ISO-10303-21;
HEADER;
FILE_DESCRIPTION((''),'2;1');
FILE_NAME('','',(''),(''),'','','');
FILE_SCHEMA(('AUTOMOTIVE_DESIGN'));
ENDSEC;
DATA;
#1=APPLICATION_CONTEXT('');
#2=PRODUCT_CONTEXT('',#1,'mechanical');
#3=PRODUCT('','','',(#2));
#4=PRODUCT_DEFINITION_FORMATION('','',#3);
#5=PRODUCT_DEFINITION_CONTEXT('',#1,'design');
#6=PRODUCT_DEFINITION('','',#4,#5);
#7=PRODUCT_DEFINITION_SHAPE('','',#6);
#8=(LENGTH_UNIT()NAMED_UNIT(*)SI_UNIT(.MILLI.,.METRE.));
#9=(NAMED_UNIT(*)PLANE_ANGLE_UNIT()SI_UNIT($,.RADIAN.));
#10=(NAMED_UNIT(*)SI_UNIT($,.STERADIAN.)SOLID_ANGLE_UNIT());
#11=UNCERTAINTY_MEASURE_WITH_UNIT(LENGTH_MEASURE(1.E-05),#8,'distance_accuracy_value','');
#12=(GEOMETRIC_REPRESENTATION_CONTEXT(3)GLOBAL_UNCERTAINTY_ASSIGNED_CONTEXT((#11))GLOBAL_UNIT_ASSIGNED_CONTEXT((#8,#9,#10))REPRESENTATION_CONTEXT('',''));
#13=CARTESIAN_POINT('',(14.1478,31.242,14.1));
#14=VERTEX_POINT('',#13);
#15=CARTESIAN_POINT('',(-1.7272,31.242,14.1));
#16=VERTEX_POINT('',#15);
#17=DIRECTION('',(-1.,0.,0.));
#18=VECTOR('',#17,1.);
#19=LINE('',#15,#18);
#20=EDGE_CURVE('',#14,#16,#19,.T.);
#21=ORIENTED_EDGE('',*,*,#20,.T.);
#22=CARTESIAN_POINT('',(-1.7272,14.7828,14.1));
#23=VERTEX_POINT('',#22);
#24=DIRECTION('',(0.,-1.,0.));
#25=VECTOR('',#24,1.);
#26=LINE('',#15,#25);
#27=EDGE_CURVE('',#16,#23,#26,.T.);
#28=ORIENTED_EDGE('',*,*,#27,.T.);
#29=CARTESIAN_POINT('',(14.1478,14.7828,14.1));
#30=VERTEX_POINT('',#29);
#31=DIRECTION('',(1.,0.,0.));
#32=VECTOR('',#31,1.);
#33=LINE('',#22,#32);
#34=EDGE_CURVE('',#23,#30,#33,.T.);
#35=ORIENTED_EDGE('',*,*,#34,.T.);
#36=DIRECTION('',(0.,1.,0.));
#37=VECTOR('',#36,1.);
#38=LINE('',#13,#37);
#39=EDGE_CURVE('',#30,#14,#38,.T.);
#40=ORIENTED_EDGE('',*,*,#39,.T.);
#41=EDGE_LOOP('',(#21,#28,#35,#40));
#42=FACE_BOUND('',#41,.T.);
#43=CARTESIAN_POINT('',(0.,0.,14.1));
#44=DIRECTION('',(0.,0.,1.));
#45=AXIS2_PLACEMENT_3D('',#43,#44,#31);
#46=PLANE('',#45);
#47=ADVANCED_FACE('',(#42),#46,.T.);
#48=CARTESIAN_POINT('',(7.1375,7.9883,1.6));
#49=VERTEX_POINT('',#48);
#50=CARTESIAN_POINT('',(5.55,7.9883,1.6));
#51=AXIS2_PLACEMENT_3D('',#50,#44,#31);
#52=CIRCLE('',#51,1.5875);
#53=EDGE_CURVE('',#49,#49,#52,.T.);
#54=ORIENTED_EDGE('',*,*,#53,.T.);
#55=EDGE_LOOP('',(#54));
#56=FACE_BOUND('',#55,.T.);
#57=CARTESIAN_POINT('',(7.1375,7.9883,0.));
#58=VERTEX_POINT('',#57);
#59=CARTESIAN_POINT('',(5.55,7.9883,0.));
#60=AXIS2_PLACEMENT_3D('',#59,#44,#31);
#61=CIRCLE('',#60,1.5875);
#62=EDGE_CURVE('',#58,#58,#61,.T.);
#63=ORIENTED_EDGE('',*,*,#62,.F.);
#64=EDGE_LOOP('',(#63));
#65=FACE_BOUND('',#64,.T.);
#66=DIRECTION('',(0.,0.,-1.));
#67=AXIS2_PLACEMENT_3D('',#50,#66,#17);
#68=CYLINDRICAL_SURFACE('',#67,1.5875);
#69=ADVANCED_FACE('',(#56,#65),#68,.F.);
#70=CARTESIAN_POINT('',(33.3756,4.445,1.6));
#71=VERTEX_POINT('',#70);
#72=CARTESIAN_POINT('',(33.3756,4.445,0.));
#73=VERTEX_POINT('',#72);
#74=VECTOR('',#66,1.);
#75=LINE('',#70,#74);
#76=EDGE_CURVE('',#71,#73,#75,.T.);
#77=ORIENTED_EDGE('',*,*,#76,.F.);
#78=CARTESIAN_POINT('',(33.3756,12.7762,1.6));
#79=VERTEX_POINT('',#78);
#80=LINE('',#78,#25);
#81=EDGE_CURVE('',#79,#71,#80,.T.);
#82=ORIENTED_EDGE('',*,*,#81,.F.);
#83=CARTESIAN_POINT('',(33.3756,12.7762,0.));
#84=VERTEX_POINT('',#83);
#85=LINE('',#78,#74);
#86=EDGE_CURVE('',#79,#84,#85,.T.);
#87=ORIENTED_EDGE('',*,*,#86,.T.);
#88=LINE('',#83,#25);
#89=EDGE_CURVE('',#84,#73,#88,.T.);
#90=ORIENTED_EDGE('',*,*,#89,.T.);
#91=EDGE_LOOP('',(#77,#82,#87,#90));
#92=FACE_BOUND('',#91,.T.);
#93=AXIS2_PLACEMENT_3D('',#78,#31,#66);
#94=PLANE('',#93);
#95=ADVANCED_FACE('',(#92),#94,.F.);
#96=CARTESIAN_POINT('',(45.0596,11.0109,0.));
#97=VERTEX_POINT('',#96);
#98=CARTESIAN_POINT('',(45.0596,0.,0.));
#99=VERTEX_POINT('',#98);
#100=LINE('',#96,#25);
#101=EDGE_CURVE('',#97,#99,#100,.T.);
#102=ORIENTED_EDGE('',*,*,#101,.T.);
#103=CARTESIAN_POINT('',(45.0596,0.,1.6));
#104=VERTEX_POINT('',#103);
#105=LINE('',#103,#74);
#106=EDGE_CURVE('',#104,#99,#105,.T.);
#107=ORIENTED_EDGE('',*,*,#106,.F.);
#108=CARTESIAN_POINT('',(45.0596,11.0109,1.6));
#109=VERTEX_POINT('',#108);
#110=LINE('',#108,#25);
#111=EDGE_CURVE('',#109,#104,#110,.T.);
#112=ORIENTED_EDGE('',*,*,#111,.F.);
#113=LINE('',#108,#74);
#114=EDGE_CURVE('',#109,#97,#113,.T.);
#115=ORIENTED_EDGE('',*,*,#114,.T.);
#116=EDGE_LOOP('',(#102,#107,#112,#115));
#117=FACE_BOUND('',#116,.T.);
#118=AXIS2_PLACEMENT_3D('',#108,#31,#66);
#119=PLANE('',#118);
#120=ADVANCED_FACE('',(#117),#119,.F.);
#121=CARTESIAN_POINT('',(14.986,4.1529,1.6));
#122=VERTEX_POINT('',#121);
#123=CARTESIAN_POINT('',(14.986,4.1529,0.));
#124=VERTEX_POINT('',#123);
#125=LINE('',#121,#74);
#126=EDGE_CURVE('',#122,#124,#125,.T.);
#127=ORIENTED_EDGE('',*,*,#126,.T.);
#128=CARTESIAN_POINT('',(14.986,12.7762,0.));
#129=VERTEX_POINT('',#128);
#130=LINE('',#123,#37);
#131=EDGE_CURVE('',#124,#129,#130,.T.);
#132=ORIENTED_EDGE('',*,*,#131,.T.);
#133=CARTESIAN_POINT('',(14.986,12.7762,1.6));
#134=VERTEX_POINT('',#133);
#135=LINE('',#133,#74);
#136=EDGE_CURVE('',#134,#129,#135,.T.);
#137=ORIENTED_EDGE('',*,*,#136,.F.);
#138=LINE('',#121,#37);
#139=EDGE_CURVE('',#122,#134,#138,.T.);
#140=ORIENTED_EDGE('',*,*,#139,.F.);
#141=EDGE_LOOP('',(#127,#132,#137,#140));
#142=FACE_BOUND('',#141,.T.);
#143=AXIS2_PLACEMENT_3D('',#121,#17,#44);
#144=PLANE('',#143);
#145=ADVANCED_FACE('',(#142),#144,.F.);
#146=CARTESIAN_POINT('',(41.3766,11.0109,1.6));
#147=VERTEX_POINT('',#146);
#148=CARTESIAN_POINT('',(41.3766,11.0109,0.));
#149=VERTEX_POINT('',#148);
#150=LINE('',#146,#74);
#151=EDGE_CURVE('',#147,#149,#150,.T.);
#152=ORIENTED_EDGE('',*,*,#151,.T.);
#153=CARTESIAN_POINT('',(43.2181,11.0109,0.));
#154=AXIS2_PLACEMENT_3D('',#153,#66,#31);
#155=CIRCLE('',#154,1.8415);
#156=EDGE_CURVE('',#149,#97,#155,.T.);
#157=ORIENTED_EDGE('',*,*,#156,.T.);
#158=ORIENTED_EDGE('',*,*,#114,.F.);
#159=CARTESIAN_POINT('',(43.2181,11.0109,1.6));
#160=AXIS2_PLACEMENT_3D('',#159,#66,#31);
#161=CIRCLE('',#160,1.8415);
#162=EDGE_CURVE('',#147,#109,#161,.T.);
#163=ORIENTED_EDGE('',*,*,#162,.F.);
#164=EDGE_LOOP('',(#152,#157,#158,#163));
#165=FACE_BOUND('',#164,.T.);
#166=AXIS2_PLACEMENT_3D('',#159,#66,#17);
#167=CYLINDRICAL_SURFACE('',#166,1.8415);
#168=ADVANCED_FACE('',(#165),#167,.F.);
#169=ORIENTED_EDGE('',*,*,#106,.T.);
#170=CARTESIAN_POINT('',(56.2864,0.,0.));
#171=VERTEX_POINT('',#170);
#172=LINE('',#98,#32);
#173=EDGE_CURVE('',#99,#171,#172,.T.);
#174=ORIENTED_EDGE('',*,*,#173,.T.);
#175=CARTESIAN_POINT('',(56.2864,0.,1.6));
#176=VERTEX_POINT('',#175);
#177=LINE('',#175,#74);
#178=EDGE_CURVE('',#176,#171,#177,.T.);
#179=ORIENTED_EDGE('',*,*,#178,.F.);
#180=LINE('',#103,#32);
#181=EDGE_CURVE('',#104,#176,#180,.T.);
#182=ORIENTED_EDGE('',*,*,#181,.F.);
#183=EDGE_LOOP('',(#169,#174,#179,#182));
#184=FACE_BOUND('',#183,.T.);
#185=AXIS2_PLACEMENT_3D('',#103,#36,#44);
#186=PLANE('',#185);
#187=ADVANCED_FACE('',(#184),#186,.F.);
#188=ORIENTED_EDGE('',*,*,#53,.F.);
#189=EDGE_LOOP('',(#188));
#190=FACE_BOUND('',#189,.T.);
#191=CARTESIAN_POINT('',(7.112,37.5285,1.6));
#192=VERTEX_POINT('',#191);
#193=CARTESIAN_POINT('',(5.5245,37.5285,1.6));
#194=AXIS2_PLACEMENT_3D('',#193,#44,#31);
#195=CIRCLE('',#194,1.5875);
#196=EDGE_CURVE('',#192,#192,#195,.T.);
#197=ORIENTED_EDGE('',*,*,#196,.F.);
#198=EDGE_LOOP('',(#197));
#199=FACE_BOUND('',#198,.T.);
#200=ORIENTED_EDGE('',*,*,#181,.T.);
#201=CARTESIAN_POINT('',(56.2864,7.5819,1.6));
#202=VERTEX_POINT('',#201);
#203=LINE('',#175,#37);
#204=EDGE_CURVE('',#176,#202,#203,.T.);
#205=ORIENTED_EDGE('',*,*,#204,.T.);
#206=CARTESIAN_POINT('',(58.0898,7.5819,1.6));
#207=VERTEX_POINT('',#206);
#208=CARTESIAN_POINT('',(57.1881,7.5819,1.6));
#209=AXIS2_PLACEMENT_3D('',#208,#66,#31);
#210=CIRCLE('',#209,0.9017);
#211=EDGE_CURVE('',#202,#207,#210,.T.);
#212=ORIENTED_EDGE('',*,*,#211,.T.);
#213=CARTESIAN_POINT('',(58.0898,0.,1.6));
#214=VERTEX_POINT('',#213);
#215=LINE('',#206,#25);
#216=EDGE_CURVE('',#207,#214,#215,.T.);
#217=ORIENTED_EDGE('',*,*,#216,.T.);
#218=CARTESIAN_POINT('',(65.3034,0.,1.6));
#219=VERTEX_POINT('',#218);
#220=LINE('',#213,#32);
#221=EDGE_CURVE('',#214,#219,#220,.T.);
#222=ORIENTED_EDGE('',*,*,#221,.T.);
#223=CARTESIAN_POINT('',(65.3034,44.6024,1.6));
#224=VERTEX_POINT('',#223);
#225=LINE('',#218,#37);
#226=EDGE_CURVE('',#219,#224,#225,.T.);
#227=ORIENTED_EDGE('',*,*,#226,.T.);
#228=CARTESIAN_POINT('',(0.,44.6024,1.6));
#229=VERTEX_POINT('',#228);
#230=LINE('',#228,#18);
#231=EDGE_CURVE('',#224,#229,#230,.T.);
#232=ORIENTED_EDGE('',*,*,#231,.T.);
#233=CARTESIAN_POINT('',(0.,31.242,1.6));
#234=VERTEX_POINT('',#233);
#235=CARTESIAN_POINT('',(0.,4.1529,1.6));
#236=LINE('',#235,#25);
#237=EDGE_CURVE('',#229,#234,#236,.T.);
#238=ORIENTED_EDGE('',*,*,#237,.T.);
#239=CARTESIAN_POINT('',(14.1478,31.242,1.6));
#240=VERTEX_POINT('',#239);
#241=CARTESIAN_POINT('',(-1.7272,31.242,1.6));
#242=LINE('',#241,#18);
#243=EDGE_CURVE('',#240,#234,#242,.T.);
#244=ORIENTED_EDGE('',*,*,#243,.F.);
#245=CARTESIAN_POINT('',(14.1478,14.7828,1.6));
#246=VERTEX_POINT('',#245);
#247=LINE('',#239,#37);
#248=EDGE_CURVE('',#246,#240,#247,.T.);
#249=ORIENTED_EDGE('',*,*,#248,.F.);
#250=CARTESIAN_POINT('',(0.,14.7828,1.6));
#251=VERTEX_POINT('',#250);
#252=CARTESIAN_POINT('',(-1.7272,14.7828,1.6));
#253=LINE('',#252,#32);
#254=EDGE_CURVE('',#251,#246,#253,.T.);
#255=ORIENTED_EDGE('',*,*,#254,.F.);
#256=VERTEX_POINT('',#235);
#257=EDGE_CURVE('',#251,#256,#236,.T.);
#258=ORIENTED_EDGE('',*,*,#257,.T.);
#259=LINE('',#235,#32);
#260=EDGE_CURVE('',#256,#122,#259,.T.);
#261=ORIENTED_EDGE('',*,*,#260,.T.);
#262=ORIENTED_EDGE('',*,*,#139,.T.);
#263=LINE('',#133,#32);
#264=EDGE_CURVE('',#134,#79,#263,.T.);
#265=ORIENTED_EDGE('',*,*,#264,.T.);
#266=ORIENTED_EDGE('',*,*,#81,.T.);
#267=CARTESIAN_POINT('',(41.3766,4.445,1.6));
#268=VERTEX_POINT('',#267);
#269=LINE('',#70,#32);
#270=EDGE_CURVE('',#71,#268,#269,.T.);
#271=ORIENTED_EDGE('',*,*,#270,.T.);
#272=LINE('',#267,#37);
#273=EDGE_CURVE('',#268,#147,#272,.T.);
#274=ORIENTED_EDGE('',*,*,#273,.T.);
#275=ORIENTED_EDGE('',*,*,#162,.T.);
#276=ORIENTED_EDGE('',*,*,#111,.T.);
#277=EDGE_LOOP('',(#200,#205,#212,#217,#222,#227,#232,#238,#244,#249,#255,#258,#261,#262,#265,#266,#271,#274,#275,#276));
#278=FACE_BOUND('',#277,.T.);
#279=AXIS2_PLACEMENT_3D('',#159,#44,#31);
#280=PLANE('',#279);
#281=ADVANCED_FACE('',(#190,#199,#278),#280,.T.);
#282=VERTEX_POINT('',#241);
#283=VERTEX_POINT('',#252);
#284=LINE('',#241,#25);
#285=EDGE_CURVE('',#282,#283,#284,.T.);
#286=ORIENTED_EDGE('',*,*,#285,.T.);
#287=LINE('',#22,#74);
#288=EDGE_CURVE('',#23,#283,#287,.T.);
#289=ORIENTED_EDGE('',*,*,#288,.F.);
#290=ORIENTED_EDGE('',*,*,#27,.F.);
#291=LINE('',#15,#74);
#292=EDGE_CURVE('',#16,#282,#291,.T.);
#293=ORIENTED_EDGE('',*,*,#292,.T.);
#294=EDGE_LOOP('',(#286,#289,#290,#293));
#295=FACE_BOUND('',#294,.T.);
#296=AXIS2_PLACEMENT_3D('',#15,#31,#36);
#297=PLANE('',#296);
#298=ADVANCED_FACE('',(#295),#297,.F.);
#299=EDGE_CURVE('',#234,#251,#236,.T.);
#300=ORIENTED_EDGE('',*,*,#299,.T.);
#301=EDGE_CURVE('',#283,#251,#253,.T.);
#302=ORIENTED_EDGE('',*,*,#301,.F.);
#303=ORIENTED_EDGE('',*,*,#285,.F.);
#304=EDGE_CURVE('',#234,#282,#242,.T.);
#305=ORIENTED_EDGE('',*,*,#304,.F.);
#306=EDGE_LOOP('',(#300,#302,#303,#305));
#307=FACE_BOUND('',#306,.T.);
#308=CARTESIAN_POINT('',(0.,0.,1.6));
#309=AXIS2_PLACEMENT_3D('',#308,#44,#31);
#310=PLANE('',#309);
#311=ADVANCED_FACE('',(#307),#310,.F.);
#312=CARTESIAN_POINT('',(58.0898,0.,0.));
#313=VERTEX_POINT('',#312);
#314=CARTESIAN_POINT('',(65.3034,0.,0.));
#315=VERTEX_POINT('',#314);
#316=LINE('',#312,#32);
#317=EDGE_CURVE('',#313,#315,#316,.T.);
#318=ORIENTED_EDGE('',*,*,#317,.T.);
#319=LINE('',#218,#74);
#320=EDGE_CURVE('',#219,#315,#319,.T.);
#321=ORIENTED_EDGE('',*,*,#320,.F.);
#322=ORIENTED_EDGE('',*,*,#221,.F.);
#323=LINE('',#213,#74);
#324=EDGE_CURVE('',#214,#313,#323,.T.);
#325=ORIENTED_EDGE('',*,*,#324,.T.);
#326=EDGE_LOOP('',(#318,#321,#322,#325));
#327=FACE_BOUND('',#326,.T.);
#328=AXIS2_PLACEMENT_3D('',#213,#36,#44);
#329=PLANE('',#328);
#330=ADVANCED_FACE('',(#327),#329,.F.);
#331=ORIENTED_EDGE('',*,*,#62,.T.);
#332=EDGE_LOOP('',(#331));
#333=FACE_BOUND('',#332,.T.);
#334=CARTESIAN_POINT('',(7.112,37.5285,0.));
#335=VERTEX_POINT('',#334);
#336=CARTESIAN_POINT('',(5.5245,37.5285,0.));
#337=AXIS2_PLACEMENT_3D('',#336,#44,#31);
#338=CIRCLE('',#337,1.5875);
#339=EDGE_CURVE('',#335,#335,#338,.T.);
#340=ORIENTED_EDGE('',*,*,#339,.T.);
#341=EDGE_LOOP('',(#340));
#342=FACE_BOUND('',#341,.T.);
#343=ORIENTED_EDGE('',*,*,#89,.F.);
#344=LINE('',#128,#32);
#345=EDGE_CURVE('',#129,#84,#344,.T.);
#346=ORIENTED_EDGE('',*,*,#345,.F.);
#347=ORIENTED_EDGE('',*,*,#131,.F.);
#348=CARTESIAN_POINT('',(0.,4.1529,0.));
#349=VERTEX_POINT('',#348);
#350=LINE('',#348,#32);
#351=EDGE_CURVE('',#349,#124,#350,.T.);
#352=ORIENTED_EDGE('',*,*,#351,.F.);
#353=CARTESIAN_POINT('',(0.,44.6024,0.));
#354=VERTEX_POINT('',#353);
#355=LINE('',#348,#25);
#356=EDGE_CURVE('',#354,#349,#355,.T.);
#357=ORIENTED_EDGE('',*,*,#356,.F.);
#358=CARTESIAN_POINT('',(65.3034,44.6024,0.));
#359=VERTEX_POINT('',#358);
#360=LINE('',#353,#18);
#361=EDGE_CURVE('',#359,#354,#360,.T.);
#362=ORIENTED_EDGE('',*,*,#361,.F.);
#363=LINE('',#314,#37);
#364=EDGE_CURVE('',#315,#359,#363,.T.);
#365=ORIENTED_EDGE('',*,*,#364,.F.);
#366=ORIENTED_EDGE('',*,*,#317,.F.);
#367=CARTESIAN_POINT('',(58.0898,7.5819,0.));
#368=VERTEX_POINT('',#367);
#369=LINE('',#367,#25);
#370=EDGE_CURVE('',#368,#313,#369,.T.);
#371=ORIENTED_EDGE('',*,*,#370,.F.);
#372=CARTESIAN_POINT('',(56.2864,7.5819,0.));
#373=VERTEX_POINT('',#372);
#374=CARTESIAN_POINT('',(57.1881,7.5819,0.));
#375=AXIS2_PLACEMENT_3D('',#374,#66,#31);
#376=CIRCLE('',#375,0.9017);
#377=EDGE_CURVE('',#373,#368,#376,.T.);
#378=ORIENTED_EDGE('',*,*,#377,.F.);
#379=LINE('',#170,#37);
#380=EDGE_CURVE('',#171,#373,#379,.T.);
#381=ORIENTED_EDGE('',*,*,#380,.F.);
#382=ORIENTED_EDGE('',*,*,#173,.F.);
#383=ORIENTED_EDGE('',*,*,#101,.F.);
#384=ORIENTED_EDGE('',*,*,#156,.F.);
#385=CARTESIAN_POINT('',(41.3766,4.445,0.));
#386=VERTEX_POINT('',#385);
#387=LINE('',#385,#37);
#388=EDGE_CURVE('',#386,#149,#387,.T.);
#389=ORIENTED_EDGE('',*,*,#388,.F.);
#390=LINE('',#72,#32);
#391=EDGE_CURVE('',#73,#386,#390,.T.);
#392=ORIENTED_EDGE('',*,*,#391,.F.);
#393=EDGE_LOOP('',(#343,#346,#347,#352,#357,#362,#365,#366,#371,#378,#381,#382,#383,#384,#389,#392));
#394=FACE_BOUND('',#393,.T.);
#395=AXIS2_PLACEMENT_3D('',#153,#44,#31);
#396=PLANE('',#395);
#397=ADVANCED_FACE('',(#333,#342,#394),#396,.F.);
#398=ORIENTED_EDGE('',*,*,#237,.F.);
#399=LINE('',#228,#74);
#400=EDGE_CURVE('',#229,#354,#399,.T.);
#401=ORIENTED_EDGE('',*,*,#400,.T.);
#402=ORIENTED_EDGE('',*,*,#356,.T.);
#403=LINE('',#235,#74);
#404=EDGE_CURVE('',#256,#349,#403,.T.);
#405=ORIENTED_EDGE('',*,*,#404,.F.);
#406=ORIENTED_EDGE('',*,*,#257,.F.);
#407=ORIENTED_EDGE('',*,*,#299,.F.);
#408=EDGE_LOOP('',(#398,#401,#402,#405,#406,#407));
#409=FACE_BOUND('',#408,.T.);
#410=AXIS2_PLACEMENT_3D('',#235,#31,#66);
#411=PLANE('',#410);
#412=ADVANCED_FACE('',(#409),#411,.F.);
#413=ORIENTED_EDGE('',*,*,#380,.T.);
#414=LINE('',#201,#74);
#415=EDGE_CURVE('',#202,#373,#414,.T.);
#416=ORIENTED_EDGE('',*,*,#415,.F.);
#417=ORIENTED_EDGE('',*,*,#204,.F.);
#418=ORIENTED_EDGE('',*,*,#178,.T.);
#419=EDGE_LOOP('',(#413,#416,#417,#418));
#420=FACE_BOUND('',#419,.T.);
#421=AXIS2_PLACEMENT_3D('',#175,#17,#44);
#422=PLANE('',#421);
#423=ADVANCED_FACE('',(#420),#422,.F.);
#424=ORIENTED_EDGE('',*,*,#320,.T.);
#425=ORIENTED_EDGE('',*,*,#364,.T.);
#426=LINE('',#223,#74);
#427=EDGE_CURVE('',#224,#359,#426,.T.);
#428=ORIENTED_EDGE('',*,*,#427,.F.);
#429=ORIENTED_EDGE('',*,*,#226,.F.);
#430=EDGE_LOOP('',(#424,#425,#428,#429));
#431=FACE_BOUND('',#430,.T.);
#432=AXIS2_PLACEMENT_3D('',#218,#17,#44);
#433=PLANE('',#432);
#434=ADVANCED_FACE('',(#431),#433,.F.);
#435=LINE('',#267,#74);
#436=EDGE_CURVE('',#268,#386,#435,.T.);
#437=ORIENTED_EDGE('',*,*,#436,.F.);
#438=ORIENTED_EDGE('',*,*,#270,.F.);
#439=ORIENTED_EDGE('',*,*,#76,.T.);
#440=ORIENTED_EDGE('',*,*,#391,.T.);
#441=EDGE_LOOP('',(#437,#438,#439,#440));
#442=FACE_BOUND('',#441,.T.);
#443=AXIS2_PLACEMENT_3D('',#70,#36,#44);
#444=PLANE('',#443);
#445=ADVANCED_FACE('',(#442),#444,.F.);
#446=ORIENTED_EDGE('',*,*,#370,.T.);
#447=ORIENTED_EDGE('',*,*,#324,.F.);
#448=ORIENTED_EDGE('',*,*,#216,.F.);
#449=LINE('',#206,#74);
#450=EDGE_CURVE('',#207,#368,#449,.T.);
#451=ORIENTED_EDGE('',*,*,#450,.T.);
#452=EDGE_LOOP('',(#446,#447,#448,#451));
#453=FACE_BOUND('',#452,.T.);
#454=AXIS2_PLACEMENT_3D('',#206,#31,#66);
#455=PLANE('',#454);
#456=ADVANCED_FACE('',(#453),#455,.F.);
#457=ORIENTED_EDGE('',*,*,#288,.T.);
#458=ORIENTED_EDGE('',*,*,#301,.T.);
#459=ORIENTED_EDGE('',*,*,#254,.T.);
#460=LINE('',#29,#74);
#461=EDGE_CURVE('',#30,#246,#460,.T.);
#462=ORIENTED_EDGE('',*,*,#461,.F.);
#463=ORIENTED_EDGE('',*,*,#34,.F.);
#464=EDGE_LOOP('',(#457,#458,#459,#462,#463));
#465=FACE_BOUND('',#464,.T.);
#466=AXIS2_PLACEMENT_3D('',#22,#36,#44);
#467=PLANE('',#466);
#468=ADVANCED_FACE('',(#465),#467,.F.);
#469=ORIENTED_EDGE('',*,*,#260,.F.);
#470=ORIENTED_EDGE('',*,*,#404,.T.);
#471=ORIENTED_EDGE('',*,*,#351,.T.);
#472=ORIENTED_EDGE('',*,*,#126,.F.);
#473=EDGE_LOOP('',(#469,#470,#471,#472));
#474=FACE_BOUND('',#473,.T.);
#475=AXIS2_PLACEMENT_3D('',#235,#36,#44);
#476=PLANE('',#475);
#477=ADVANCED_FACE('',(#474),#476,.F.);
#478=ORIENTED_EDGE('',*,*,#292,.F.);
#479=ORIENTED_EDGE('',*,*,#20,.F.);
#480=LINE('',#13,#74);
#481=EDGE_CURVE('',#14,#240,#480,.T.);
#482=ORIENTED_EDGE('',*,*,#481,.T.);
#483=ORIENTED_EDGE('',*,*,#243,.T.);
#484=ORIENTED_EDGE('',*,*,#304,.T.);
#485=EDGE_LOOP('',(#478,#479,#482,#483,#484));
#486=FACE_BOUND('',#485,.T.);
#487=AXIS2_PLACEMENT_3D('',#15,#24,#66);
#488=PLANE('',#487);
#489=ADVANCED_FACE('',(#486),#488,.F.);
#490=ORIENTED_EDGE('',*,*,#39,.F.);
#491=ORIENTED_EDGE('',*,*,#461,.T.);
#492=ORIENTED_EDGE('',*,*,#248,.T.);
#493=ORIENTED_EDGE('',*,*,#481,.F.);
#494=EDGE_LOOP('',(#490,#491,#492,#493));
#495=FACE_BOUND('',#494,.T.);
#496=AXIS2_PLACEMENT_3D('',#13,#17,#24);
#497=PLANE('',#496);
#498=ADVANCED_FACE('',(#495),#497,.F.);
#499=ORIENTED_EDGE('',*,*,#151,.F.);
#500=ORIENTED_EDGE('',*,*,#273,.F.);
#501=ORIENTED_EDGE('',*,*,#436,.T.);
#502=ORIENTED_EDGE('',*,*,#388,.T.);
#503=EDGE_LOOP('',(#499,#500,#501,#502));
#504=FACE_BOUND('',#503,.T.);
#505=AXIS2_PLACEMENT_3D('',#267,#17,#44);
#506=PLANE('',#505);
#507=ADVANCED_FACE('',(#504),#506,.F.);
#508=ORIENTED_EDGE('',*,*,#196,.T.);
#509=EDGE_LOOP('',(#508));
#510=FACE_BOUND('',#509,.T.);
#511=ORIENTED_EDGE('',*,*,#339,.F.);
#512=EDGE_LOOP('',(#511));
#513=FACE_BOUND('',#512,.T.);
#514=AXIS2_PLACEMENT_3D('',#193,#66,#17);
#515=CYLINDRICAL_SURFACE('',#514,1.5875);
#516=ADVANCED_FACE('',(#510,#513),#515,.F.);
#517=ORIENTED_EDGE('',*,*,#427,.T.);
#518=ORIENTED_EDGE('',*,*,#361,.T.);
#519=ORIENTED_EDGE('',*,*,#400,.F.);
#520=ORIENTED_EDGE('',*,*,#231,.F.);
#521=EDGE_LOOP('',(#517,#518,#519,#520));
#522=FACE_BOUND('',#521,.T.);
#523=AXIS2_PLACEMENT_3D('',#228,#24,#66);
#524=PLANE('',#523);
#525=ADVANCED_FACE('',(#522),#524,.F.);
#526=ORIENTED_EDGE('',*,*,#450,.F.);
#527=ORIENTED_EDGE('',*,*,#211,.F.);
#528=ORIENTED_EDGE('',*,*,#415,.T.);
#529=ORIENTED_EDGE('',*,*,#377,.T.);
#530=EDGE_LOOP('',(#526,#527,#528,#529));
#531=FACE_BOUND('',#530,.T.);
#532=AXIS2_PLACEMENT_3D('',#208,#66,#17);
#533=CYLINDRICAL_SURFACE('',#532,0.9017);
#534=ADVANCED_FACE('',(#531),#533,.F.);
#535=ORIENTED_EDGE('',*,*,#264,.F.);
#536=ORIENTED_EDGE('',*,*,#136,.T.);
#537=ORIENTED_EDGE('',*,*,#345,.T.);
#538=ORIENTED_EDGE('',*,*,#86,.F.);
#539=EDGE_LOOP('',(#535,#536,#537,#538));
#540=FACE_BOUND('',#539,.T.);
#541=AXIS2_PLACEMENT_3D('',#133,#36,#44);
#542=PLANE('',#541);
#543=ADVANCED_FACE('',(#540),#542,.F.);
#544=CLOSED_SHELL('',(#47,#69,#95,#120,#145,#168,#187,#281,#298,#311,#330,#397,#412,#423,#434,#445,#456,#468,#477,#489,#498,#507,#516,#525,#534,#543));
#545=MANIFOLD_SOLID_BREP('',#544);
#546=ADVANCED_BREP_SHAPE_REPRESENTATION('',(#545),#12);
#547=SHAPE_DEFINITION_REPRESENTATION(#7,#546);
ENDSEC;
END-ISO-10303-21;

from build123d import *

# Parameters (mm, degrees)
SKETCH2_R           = 1.5875
BOSS_EXTRUDE1_DEPTH = 1.6
SKETCH3_W           = 15.875
SKETCH3_H           = 16.4592
BOSS_EXTRUDE2_DEPTH = 12.5


with BuildPart() as part:
    # Sketch2 → Boss-Extrude1 (new body)
    with BuildSketch(Plane.XY):
        with BuildLine():
            Line((0, 4.1529), (14.986, 4.1529))
            Line((14.986, 4.1529), (14.986, 12.7762))
            Line((14.986, 12.7762), (33.3756, 12.7762))
            Line((33.3756, 12.7762), (33.3756, 4.445))
            Line((33.3756, 4.445), (41.3766, 4.445))
            Line((41.3766, 4.445), (41.3766, 11.0109))
            ThreePointArc((41.3766, 11.0109), (43.2181, 12.8524), (45.0596, 11.0109))
            Line((45.0596, 11.0109), (45.0596, 0))
            Line((45.0596, 0), (56.2864, 0))
            Line((56.2864, 0), (56.2864, 7.5819))
            ThreePointArc((56.2864, 7.5819), (57.1881, 8.4836), (58.0898, 7.5819))
            Line((58.0898, 7.5819), (58.0898, 0))
            Line((58.0898, 0), (65.3034, 0))
            Line((65.3034, 0), (65.3034, 44.6024))
            Line((65.3034, 44.6024), (0, 44.6024))
            Line((0, 44.6024), (0, 4.1529))
        make_face()
        with Locations((5.5245, 37.5285)):
            Circle(SKETCH2_R, mode=Mode.SUBTRACT)
        with Locations((5.55, 7.9883)):
            Circle(SKETCH2_R, mode=Mode.SUBTRACT)
    extrude(amount=BOSS_EXTRUDE1_DEPTH)

    # Sketch3 → Boss-Extrude2 (add)
    with BuildSketch(Plane.XY.offset(1.6)):
        with Locations((6.2103, 23.0124)):
            Rectangle(SKETCH3_W, SKETCH3_H)
    extrude(amount=BOSS_EXTRUDE2_DEPTH)


solid = part.part
